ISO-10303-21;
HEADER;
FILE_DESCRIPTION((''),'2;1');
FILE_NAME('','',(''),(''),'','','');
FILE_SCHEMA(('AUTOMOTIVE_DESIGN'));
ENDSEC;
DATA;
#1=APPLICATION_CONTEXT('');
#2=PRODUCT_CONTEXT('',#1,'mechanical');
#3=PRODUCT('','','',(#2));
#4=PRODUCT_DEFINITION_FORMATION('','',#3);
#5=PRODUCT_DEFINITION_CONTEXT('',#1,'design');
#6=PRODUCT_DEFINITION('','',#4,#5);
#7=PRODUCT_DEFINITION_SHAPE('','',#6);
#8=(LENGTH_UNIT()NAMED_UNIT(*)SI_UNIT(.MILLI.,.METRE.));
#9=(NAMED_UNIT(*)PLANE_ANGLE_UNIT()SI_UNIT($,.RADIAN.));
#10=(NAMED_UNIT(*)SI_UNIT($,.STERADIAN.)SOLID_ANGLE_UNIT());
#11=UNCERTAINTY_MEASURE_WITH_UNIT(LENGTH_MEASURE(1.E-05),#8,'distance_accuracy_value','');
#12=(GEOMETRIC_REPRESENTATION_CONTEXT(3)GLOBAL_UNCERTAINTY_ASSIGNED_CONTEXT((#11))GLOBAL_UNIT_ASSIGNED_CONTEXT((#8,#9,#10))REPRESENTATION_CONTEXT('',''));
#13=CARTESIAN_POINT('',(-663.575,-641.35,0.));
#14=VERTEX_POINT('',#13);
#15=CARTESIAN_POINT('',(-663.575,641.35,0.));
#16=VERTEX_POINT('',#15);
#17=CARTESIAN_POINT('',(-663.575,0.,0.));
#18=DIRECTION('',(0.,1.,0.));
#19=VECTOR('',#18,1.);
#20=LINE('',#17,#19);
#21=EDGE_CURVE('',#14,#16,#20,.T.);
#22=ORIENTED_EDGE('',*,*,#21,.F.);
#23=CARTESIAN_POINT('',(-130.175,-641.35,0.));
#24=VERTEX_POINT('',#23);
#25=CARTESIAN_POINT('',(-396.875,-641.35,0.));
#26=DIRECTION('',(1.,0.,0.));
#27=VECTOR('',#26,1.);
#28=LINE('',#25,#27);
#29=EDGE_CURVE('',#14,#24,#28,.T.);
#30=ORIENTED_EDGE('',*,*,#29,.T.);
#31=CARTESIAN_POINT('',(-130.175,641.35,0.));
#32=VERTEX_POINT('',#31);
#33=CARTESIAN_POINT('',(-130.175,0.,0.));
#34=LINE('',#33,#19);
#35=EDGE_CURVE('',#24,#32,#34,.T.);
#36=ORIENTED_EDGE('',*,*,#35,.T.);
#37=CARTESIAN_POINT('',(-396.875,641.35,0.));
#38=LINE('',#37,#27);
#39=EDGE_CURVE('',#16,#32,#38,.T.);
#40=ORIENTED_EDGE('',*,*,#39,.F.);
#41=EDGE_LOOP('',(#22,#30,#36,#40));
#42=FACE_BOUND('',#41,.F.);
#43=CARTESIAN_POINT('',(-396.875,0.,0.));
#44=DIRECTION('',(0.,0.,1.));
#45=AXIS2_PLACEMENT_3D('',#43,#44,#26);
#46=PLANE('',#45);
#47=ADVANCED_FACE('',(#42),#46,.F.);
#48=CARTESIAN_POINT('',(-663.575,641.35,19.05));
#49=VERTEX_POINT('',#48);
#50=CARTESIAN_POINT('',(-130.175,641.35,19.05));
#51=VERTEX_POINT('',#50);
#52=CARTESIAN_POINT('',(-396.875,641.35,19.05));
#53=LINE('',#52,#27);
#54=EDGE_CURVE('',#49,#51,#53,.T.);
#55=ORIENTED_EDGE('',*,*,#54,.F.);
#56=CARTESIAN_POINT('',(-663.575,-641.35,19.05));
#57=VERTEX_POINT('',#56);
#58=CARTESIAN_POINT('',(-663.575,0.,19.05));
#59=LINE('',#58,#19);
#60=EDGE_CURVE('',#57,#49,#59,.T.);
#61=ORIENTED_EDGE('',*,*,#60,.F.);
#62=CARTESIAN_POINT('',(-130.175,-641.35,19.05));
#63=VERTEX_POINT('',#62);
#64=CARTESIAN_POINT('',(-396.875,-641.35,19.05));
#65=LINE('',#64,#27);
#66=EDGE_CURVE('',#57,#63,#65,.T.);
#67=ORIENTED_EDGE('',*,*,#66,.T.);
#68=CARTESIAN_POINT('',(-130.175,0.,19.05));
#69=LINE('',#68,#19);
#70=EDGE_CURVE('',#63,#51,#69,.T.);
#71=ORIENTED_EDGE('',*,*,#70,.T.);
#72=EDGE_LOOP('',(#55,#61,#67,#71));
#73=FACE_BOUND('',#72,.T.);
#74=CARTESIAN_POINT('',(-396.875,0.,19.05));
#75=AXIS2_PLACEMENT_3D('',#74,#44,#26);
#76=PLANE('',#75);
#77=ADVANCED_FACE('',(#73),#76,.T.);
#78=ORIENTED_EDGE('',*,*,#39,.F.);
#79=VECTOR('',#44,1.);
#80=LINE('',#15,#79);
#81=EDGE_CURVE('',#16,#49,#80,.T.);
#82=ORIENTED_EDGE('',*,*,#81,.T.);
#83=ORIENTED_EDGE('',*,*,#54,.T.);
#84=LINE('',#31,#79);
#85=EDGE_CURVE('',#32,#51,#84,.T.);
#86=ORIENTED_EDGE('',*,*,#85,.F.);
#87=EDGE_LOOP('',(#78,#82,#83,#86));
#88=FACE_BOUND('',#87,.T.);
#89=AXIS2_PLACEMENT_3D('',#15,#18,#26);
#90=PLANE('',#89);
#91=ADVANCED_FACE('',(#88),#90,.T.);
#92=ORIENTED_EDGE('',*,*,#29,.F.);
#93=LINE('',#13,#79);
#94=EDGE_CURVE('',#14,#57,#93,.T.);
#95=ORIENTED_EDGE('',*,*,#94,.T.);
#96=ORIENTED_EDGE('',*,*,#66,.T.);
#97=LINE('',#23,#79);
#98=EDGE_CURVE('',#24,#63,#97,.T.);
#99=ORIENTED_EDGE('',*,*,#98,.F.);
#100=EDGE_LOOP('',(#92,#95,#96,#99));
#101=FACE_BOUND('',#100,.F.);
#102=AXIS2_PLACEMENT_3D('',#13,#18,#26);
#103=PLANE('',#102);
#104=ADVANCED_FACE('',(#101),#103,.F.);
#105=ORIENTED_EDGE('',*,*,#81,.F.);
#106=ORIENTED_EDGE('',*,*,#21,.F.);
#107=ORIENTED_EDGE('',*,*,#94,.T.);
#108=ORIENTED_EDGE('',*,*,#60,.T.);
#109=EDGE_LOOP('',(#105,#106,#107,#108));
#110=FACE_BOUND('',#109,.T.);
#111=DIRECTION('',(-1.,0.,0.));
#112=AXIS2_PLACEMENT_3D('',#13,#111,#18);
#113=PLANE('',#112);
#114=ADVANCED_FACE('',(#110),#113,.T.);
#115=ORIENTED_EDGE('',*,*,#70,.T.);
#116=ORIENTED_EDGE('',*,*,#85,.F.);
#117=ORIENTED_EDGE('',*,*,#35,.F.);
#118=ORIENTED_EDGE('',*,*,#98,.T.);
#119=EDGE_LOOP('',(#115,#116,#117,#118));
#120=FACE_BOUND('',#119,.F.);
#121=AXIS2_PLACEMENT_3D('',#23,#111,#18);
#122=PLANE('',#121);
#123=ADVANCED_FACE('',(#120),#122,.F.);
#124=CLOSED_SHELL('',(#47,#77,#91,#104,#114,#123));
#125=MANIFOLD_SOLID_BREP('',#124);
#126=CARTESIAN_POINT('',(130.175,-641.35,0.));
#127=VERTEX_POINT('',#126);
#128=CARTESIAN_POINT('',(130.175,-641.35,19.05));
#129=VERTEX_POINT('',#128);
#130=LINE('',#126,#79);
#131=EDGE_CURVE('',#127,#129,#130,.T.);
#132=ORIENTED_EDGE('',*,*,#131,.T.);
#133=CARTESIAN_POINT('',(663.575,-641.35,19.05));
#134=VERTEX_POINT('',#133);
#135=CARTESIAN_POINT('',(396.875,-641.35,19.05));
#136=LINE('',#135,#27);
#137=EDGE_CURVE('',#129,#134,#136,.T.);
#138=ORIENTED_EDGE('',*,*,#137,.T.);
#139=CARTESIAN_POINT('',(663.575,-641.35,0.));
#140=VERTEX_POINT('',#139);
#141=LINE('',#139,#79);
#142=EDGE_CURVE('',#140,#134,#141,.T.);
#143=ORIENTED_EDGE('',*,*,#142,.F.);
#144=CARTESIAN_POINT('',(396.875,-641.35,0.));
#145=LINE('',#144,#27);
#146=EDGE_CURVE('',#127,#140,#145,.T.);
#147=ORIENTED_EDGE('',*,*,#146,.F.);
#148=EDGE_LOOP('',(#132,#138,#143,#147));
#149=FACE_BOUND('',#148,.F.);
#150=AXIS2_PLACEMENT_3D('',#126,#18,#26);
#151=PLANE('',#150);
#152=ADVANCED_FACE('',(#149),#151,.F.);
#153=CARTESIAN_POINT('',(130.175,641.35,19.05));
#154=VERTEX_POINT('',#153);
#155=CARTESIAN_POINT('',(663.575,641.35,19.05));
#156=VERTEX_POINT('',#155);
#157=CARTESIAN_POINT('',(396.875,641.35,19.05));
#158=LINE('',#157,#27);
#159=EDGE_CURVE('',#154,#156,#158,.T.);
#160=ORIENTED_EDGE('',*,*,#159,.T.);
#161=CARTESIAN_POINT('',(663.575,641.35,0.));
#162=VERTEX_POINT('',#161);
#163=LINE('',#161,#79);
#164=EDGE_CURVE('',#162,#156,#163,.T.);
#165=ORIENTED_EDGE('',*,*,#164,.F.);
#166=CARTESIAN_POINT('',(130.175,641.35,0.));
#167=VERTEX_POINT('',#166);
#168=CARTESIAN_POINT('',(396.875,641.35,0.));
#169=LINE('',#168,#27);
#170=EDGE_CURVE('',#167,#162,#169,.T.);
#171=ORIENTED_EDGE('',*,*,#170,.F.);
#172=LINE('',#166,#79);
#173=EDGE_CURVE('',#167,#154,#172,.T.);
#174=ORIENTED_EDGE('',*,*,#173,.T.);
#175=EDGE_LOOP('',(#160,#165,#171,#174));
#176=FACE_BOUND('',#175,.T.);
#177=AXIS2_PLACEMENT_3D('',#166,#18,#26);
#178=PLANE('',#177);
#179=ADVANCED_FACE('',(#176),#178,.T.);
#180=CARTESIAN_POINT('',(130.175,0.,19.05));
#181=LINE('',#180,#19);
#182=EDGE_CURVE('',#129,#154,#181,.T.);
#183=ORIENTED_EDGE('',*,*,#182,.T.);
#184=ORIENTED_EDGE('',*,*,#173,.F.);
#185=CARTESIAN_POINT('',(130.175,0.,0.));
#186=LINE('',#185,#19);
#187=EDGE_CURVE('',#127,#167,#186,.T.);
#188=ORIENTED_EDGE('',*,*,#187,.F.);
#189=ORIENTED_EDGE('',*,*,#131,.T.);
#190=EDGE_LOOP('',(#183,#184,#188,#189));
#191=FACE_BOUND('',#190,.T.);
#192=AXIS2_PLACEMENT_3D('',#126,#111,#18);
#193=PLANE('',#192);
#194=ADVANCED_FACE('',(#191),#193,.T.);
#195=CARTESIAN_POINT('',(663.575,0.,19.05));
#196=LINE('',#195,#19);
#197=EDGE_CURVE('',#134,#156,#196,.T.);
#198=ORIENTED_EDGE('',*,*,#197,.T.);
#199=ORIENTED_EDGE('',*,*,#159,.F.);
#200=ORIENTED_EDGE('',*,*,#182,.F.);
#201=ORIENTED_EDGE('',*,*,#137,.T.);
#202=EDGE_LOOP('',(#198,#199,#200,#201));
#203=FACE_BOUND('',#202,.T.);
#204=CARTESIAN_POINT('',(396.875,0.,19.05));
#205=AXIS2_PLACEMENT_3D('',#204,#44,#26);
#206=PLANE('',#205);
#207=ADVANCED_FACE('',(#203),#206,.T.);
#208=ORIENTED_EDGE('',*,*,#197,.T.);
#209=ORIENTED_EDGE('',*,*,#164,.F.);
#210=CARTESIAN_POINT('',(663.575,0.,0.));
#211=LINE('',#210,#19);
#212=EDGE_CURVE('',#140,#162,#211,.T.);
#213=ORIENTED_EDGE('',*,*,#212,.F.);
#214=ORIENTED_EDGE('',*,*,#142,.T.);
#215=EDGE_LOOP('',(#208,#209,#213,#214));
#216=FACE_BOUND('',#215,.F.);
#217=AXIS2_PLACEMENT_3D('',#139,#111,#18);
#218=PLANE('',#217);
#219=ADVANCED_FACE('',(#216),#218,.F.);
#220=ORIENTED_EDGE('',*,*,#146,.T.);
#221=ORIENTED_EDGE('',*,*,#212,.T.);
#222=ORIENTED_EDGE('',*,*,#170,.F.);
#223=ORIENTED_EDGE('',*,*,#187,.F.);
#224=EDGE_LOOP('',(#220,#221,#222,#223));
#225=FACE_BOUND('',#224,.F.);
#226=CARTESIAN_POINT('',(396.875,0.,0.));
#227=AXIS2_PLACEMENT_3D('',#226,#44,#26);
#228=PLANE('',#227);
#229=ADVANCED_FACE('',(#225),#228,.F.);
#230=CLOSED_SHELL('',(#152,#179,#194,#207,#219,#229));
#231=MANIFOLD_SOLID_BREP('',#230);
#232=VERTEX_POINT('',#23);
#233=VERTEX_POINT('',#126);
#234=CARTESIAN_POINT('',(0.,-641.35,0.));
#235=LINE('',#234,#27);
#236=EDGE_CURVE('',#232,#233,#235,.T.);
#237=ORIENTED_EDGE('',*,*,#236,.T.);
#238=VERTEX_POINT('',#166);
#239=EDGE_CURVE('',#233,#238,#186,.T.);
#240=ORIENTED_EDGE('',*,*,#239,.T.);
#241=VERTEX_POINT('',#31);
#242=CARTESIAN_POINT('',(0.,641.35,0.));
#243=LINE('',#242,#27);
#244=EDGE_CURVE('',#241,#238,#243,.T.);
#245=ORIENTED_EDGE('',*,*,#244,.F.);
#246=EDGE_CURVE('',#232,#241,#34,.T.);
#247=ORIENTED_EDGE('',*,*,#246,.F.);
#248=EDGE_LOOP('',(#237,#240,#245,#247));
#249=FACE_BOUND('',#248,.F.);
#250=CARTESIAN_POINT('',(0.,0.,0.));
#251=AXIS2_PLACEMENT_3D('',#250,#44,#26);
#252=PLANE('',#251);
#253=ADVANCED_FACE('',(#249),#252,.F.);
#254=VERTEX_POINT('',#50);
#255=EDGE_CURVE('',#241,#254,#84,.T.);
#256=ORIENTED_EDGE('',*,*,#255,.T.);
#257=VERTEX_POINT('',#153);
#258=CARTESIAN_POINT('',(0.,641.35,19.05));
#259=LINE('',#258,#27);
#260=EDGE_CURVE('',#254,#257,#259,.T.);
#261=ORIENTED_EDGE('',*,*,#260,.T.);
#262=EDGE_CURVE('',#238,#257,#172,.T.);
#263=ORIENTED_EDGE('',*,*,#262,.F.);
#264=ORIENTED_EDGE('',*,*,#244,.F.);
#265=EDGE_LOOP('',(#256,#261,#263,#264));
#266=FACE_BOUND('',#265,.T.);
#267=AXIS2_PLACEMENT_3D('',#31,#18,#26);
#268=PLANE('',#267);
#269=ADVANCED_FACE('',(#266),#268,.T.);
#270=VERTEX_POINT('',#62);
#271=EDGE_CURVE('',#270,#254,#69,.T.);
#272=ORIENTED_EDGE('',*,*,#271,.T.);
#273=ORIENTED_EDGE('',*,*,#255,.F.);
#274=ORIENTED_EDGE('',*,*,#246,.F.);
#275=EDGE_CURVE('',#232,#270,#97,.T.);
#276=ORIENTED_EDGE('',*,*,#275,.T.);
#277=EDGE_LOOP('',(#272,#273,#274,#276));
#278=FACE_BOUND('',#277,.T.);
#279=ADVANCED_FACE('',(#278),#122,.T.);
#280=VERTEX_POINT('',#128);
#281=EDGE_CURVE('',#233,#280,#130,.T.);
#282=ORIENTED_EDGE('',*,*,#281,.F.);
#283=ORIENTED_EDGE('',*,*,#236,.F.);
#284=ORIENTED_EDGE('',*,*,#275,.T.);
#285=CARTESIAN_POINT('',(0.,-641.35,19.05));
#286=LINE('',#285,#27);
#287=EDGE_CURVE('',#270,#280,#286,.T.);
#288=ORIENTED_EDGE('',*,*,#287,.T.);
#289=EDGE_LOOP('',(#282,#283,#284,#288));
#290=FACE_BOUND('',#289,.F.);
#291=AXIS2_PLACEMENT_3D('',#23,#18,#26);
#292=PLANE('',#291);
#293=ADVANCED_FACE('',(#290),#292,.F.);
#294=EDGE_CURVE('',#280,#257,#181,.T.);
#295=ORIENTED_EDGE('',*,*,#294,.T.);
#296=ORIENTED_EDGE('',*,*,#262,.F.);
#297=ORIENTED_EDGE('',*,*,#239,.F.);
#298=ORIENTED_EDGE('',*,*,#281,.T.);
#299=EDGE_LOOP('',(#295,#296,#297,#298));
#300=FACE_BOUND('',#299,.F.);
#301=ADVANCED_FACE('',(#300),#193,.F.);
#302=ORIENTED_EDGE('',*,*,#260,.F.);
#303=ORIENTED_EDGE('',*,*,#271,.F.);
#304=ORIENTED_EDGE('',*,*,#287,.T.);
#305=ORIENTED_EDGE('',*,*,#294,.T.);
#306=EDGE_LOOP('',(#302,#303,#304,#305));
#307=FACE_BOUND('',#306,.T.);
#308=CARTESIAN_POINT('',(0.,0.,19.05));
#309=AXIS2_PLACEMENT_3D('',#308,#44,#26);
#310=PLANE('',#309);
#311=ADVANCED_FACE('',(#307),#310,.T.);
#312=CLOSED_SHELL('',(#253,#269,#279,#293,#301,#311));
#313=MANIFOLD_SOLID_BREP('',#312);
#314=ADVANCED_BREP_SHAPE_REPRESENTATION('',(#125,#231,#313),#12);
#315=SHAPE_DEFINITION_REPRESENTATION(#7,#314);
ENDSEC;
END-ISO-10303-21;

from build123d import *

# Parameters (mm, degrees)
F0_W     = 533.4
F0_H     = 1282.7
F1_DEPTH = 19.05
F2_DEPTH = 19.05
F0_W_2   = 260.35
F3_DEPTH = 19.05


with BuildPart() as f1:
    # F0 (on Top) → F1 (new body)
    with BuildSketch(Plane.XY):
        with Locations((-396.875, 0)):
            Rectangle(F0_W, F0_H)
    extrude(amount=F1_DEPTH)


with BuildPart() as f2:
    # F0 (on Top) → F2 (new body)
    with BuildSketch(Plane.XY):
        with Locations((396.875, 0)):
            Rectangle(F0_W, F0_H)
    extrude(amount=F2_DEPTH)


with BuildPart() as f3:
    # F0 (on Top) → F3 (new body)
    with BuildSketch(Plane.XY):
        Rectangle(F0_W_2, F0_H)
    extrude(amount=F3_DEPTH)


solid = Compound([f1.part, f2.part, f3.part])
